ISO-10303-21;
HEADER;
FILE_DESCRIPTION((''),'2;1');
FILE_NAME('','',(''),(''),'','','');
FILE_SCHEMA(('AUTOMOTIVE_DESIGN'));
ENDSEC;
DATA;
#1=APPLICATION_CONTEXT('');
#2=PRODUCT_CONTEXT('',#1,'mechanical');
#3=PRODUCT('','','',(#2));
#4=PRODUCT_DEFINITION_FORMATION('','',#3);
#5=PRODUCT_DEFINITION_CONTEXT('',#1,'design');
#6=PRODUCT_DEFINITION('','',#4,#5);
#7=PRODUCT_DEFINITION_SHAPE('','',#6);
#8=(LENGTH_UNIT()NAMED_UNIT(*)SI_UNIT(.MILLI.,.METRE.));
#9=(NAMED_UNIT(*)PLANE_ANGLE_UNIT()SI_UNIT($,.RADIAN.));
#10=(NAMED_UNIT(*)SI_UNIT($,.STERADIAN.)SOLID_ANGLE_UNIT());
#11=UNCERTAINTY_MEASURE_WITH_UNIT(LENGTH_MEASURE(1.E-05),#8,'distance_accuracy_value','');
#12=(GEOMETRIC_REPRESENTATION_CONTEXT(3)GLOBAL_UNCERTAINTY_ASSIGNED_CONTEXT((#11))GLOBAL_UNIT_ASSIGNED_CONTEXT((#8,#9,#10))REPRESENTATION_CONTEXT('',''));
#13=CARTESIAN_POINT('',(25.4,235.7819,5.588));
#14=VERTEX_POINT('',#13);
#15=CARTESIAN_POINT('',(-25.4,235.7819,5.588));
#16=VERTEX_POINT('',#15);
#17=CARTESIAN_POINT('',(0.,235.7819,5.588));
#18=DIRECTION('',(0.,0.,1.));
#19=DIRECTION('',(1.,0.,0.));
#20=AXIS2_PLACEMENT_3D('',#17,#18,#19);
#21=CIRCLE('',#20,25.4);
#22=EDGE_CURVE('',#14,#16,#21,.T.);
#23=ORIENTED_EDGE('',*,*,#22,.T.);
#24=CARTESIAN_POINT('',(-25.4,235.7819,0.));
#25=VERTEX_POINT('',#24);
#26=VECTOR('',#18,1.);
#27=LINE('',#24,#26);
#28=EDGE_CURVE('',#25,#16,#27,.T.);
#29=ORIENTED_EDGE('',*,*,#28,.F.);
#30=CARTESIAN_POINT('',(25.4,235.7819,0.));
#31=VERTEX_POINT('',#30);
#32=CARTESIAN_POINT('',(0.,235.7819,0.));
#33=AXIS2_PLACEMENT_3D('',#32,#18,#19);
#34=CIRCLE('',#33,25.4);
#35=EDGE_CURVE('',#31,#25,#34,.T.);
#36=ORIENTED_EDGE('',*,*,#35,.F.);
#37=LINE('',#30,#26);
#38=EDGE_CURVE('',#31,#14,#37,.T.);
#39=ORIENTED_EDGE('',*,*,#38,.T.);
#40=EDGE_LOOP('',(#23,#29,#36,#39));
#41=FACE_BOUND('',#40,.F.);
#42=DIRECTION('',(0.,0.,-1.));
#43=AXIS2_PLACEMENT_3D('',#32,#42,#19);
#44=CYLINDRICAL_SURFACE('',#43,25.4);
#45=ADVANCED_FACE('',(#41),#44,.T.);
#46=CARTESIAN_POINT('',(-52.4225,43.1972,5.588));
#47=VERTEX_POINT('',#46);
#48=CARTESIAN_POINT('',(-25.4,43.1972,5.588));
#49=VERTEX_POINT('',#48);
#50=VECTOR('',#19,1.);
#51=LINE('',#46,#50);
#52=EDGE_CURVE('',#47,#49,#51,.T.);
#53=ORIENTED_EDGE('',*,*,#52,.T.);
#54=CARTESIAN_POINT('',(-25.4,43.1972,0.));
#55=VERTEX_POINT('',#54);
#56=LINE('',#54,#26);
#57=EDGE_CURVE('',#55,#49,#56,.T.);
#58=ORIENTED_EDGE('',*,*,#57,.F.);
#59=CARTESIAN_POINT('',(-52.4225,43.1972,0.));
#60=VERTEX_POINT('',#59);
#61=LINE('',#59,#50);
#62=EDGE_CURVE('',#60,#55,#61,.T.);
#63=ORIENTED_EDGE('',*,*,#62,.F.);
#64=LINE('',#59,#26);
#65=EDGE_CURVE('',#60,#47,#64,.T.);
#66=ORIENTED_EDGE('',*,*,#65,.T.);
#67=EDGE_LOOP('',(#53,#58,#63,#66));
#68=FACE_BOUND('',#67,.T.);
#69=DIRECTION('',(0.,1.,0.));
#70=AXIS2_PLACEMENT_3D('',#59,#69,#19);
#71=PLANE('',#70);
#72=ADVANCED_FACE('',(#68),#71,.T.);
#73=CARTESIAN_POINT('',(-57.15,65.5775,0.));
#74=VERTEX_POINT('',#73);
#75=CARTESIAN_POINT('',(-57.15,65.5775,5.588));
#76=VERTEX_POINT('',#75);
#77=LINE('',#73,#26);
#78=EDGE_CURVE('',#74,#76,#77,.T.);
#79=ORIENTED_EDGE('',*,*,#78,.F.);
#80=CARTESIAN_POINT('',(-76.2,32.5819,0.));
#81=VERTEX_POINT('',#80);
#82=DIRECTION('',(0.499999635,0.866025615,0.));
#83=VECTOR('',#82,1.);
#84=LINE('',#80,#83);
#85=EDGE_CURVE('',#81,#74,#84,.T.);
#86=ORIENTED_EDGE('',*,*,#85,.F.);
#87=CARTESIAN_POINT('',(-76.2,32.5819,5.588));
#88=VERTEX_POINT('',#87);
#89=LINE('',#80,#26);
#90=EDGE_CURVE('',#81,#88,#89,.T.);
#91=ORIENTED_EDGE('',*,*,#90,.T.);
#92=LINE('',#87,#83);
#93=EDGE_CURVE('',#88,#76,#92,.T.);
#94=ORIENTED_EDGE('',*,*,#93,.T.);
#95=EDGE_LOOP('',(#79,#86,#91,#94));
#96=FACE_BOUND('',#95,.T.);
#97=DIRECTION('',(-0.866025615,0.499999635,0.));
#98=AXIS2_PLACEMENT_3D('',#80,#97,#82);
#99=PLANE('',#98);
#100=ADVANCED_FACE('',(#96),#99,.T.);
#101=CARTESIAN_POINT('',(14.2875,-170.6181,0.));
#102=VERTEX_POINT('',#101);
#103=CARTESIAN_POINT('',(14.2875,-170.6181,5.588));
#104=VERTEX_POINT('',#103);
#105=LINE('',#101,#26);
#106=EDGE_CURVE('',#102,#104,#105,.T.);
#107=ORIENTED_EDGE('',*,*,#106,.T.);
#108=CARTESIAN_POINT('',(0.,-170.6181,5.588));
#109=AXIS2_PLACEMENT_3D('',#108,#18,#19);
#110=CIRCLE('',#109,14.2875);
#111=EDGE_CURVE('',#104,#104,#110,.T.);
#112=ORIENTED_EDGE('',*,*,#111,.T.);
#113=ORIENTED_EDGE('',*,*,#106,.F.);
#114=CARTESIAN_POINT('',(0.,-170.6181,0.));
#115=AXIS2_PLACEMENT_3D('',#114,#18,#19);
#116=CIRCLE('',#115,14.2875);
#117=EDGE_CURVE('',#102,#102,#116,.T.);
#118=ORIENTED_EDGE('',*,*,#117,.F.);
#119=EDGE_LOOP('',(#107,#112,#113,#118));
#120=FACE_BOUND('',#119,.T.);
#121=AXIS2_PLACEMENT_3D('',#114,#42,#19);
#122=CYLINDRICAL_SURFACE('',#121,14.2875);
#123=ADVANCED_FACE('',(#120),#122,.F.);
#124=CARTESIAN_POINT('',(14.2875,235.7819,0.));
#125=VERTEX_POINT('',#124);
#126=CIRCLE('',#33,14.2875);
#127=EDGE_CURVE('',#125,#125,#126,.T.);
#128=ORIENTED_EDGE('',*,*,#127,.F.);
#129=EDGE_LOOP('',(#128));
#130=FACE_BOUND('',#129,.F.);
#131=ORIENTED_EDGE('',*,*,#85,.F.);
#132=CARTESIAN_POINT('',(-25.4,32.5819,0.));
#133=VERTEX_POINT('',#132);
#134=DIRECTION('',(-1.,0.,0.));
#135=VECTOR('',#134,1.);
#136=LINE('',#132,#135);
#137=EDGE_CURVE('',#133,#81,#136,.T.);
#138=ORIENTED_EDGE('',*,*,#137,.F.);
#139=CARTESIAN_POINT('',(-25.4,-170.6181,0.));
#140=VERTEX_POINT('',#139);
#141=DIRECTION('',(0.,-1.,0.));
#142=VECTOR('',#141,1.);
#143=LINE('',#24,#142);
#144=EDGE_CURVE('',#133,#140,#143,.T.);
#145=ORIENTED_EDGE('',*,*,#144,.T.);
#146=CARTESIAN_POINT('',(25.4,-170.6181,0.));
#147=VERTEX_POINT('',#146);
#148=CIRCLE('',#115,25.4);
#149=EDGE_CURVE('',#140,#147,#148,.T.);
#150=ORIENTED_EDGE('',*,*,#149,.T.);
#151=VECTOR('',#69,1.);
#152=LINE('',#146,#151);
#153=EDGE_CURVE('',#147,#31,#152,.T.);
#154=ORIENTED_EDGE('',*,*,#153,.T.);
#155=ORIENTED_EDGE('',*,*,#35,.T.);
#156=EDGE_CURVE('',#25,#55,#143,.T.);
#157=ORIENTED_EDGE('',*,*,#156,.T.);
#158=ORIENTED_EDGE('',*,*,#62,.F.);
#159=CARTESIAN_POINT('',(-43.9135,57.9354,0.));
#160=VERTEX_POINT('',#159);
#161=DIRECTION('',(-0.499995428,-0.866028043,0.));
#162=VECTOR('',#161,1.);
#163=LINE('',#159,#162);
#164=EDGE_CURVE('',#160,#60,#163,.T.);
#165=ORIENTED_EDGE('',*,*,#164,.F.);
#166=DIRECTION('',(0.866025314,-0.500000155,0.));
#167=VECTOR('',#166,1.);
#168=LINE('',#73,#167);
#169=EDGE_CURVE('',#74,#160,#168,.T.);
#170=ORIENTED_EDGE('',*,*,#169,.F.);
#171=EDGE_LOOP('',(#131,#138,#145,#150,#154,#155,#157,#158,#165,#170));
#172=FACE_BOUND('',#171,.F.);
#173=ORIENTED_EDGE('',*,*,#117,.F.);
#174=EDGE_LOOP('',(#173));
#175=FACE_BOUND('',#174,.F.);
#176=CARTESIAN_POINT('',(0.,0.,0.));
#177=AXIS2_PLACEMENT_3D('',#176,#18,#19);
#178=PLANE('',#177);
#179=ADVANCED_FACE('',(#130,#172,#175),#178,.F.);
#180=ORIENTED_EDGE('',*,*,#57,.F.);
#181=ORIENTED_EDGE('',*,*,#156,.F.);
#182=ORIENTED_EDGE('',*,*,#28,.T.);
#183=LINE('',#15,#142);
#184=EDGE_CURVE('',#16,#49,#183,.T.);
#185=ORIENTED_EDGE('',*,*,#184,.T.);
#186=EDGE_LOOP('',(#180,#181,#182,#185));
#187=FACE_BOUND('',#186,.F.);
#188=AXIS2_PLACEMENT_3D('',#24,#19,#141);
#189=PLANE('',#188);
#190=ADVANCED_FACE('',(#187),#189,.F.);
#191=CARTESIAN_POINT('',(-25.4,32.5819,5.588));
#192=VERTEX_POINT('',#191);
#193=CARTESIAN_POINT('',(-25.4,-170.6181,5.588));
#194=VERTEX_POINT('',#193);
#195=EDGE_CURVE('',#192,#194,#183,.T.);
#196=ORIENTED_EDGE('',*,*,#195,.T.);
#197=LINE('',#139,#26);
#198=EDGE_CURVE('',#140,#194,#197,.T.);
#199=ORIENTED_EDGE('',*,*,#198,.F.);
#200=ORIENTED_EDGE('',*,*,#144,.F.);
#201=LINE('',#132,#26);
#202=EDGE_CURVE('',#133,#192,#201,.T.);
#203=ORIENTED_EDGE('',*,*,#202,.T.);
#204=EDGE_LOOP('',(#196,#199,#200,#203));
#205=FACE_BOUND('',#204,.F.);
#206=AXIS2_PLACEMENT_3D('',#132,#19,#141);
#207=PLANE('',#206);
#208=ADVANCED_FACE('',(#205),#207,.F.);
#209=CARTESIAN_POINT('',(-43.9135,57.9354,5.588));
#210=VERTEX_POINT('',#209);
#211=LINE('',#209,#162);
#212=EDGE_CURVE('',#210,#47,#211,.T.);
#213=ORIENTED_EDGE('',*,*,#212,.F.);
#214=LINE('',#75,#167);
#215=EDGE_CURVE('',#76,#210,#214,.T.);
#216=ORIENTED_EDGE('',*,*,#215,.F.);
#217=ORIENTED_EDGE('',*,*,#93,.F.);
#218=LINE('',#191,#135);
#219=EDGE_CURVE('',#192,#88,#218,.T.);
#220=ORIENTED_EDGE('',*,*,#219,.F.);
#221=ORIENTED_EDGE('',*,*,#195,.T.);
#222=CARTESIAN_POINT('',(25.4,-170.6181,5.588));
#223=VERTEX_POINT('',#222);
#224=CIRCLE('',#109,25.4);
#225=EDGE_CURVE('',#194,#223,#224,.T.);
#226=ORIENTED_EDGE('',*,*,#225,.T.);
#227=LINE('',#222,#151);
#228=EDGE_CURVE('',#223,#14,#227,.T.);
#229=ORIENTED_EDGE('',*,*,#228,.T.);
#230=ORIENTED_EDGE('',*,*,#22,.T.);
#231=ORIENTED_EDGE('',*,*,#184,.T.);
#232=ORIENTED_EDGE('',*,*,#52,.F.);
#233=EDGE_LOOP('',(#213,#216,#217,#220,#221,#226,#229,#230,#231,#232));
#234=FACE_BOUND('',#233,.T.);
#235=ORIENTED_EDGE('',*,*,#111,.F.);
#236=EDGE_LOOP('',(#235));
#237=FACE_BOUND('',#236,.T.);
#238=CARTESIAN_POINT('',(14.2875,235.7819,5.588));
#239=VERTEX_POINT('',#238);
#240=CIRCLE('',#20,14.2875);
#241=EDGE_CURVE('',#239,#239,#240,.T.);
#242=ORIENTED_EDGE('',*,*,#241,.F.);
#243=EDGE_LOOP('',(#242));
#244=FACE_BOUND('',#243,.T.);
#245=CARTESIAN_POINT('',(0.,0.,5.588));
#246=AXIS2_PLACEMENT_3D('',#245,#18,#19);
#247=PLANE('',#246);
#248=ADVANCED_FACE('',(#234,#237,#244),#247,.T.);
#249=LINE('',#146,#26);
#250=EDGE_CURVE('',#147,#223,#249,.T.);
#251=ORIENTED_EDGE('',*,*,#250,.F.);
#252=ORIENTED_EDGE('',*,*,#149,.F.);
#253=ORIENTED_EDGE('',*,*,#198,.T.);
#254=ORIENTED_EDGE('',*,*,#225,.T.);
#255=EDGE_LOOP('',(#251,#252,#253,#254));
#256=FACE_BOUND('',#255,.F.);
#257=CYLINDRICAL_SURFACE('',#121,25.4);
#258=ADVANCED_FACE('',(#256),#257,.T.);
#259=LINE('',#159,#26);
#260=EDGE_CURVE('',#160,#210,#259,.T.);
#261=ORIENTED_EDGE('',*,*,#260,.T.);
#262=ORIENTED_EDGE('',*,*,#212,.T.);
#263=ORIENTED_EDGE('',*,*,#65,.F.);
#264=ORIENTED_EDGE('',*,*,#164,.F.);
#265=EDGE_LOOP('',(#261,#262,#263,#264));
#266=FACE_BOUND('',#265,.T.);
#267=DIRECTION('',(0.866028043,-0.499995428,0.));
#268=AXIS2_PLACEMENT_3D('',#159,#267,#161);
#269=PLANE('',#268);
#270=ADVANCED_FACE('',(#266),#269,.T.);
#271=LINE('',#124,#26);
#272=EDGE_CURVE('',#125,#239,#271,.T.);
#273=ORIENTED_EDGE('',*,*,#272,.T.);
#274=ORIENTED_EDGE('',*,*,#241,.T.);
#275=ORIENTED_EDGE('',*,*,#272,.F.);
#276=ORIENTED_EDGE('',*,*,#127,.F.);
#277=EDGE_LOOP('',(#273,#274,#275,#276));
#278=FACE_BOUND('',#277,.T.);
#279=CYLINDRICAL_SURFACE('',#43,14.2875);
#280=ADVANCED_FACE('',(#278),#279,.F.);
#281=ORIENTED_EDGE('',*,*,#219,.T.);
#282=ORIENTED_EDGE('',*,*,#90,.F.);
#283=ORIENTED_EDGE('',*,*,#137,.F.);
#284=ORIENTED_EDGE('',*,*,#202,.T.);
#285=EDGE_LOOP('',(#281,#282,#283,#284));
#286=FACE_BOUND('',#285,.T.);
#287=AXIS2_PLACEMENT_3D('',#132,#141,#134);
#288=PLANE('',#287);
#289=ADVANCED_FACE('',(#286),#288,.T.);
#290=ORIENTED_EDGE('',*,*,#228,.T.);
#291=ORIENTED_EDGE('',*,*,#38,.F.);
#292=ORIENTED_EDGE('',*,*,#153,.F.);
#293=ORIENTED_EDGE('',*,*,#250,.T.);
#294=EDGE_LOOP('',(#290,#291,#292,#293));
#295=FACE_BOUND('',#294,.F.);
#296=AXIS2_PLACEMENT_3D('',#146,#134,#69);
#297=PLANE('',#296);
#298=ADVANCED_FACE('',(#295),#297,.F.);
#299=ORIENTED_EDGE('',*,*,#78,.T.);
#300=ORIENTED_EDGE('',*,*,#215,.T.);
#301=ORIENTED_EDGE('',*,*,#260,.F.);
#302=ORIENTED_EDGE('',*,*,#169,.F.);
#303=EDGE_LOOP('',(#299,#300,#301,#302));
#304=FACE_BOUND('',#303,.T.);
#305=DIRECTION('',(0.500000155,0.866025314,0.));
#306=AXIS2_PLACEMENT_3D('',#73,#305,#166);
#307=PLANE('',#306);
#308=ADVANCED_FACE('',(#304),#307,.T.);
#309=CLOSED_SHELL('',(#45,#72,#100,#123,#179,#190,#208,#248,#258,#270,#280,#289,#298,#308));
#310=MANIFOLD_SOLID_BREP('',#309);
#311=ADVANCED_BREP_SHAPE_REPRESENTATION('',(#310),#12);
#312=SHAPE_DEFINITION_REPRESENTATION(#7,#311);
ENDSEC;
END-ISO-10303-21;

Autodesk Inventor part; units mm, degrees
ref_plane "YZ Plane" through (0, 0, 0) normal (1, 0, 0) x (0, 1, 0)
ref_plane "XZ Plane" through (0, 0, 0) normal (0, 1, 0) x (-1, 0, 0)
ref_plane "XY Plane" through (0, 0, 0) normal (0, 0, 1) x (1, 0, 0)
sketch "Sketch1" plane through (0, 0, 0) normal (0, 0, 1) x (1, 0, 0)
  circle A0 centre (0, 235.7819) radius 25.4
  line L0 (-25.4, 235.7819) -> (-25.4, -170.6181)
  circle A1 centre (0, -170.6181) radius 25.4
  line L1 (25.4, -170.6181) -> (25.4, 235.7819)
  line L2 (-25.4, 32.5819) -> (-76.2, 32.5819)
  line L3 (-76.2, 32.5819) -> (-57.15, 65.5775)
  line L4 (-57.15, 65.5775) -> (-43.9135, 57.9354)
  line L5 (-43.9135, 57.9354) -> (-52.4225, 43.1972)
  line L6 (-52.4225, 43.1972) -> (-25.4, 43.1972)
  circle A2 centre (0, 235.7819) radius 14.2875
  circle A3 centre (0, -170.6181) radius 14.2875
  point P0 (0, 0)
  dimension "d52" = 50.8
  dimension "d49" = 50.8
  dimension "d51" = 406.4
  dimension "d53" = 50.8
  dimension "d54" = 38.1
  dimension "d55" = 60
  dimension "d56" = 28.575
  dimension "d57" = 28.575
sketch "Sketch2" plane through (0, 0, 0) normal (0, 1, 0) x (-1, 0, 0)
  point P0 (0, 0)
extrude "Extrusion8" add sketch "Sketch1" along normal blind 5.588
properties part number "part_0.22 Lexan Intake Arm"
